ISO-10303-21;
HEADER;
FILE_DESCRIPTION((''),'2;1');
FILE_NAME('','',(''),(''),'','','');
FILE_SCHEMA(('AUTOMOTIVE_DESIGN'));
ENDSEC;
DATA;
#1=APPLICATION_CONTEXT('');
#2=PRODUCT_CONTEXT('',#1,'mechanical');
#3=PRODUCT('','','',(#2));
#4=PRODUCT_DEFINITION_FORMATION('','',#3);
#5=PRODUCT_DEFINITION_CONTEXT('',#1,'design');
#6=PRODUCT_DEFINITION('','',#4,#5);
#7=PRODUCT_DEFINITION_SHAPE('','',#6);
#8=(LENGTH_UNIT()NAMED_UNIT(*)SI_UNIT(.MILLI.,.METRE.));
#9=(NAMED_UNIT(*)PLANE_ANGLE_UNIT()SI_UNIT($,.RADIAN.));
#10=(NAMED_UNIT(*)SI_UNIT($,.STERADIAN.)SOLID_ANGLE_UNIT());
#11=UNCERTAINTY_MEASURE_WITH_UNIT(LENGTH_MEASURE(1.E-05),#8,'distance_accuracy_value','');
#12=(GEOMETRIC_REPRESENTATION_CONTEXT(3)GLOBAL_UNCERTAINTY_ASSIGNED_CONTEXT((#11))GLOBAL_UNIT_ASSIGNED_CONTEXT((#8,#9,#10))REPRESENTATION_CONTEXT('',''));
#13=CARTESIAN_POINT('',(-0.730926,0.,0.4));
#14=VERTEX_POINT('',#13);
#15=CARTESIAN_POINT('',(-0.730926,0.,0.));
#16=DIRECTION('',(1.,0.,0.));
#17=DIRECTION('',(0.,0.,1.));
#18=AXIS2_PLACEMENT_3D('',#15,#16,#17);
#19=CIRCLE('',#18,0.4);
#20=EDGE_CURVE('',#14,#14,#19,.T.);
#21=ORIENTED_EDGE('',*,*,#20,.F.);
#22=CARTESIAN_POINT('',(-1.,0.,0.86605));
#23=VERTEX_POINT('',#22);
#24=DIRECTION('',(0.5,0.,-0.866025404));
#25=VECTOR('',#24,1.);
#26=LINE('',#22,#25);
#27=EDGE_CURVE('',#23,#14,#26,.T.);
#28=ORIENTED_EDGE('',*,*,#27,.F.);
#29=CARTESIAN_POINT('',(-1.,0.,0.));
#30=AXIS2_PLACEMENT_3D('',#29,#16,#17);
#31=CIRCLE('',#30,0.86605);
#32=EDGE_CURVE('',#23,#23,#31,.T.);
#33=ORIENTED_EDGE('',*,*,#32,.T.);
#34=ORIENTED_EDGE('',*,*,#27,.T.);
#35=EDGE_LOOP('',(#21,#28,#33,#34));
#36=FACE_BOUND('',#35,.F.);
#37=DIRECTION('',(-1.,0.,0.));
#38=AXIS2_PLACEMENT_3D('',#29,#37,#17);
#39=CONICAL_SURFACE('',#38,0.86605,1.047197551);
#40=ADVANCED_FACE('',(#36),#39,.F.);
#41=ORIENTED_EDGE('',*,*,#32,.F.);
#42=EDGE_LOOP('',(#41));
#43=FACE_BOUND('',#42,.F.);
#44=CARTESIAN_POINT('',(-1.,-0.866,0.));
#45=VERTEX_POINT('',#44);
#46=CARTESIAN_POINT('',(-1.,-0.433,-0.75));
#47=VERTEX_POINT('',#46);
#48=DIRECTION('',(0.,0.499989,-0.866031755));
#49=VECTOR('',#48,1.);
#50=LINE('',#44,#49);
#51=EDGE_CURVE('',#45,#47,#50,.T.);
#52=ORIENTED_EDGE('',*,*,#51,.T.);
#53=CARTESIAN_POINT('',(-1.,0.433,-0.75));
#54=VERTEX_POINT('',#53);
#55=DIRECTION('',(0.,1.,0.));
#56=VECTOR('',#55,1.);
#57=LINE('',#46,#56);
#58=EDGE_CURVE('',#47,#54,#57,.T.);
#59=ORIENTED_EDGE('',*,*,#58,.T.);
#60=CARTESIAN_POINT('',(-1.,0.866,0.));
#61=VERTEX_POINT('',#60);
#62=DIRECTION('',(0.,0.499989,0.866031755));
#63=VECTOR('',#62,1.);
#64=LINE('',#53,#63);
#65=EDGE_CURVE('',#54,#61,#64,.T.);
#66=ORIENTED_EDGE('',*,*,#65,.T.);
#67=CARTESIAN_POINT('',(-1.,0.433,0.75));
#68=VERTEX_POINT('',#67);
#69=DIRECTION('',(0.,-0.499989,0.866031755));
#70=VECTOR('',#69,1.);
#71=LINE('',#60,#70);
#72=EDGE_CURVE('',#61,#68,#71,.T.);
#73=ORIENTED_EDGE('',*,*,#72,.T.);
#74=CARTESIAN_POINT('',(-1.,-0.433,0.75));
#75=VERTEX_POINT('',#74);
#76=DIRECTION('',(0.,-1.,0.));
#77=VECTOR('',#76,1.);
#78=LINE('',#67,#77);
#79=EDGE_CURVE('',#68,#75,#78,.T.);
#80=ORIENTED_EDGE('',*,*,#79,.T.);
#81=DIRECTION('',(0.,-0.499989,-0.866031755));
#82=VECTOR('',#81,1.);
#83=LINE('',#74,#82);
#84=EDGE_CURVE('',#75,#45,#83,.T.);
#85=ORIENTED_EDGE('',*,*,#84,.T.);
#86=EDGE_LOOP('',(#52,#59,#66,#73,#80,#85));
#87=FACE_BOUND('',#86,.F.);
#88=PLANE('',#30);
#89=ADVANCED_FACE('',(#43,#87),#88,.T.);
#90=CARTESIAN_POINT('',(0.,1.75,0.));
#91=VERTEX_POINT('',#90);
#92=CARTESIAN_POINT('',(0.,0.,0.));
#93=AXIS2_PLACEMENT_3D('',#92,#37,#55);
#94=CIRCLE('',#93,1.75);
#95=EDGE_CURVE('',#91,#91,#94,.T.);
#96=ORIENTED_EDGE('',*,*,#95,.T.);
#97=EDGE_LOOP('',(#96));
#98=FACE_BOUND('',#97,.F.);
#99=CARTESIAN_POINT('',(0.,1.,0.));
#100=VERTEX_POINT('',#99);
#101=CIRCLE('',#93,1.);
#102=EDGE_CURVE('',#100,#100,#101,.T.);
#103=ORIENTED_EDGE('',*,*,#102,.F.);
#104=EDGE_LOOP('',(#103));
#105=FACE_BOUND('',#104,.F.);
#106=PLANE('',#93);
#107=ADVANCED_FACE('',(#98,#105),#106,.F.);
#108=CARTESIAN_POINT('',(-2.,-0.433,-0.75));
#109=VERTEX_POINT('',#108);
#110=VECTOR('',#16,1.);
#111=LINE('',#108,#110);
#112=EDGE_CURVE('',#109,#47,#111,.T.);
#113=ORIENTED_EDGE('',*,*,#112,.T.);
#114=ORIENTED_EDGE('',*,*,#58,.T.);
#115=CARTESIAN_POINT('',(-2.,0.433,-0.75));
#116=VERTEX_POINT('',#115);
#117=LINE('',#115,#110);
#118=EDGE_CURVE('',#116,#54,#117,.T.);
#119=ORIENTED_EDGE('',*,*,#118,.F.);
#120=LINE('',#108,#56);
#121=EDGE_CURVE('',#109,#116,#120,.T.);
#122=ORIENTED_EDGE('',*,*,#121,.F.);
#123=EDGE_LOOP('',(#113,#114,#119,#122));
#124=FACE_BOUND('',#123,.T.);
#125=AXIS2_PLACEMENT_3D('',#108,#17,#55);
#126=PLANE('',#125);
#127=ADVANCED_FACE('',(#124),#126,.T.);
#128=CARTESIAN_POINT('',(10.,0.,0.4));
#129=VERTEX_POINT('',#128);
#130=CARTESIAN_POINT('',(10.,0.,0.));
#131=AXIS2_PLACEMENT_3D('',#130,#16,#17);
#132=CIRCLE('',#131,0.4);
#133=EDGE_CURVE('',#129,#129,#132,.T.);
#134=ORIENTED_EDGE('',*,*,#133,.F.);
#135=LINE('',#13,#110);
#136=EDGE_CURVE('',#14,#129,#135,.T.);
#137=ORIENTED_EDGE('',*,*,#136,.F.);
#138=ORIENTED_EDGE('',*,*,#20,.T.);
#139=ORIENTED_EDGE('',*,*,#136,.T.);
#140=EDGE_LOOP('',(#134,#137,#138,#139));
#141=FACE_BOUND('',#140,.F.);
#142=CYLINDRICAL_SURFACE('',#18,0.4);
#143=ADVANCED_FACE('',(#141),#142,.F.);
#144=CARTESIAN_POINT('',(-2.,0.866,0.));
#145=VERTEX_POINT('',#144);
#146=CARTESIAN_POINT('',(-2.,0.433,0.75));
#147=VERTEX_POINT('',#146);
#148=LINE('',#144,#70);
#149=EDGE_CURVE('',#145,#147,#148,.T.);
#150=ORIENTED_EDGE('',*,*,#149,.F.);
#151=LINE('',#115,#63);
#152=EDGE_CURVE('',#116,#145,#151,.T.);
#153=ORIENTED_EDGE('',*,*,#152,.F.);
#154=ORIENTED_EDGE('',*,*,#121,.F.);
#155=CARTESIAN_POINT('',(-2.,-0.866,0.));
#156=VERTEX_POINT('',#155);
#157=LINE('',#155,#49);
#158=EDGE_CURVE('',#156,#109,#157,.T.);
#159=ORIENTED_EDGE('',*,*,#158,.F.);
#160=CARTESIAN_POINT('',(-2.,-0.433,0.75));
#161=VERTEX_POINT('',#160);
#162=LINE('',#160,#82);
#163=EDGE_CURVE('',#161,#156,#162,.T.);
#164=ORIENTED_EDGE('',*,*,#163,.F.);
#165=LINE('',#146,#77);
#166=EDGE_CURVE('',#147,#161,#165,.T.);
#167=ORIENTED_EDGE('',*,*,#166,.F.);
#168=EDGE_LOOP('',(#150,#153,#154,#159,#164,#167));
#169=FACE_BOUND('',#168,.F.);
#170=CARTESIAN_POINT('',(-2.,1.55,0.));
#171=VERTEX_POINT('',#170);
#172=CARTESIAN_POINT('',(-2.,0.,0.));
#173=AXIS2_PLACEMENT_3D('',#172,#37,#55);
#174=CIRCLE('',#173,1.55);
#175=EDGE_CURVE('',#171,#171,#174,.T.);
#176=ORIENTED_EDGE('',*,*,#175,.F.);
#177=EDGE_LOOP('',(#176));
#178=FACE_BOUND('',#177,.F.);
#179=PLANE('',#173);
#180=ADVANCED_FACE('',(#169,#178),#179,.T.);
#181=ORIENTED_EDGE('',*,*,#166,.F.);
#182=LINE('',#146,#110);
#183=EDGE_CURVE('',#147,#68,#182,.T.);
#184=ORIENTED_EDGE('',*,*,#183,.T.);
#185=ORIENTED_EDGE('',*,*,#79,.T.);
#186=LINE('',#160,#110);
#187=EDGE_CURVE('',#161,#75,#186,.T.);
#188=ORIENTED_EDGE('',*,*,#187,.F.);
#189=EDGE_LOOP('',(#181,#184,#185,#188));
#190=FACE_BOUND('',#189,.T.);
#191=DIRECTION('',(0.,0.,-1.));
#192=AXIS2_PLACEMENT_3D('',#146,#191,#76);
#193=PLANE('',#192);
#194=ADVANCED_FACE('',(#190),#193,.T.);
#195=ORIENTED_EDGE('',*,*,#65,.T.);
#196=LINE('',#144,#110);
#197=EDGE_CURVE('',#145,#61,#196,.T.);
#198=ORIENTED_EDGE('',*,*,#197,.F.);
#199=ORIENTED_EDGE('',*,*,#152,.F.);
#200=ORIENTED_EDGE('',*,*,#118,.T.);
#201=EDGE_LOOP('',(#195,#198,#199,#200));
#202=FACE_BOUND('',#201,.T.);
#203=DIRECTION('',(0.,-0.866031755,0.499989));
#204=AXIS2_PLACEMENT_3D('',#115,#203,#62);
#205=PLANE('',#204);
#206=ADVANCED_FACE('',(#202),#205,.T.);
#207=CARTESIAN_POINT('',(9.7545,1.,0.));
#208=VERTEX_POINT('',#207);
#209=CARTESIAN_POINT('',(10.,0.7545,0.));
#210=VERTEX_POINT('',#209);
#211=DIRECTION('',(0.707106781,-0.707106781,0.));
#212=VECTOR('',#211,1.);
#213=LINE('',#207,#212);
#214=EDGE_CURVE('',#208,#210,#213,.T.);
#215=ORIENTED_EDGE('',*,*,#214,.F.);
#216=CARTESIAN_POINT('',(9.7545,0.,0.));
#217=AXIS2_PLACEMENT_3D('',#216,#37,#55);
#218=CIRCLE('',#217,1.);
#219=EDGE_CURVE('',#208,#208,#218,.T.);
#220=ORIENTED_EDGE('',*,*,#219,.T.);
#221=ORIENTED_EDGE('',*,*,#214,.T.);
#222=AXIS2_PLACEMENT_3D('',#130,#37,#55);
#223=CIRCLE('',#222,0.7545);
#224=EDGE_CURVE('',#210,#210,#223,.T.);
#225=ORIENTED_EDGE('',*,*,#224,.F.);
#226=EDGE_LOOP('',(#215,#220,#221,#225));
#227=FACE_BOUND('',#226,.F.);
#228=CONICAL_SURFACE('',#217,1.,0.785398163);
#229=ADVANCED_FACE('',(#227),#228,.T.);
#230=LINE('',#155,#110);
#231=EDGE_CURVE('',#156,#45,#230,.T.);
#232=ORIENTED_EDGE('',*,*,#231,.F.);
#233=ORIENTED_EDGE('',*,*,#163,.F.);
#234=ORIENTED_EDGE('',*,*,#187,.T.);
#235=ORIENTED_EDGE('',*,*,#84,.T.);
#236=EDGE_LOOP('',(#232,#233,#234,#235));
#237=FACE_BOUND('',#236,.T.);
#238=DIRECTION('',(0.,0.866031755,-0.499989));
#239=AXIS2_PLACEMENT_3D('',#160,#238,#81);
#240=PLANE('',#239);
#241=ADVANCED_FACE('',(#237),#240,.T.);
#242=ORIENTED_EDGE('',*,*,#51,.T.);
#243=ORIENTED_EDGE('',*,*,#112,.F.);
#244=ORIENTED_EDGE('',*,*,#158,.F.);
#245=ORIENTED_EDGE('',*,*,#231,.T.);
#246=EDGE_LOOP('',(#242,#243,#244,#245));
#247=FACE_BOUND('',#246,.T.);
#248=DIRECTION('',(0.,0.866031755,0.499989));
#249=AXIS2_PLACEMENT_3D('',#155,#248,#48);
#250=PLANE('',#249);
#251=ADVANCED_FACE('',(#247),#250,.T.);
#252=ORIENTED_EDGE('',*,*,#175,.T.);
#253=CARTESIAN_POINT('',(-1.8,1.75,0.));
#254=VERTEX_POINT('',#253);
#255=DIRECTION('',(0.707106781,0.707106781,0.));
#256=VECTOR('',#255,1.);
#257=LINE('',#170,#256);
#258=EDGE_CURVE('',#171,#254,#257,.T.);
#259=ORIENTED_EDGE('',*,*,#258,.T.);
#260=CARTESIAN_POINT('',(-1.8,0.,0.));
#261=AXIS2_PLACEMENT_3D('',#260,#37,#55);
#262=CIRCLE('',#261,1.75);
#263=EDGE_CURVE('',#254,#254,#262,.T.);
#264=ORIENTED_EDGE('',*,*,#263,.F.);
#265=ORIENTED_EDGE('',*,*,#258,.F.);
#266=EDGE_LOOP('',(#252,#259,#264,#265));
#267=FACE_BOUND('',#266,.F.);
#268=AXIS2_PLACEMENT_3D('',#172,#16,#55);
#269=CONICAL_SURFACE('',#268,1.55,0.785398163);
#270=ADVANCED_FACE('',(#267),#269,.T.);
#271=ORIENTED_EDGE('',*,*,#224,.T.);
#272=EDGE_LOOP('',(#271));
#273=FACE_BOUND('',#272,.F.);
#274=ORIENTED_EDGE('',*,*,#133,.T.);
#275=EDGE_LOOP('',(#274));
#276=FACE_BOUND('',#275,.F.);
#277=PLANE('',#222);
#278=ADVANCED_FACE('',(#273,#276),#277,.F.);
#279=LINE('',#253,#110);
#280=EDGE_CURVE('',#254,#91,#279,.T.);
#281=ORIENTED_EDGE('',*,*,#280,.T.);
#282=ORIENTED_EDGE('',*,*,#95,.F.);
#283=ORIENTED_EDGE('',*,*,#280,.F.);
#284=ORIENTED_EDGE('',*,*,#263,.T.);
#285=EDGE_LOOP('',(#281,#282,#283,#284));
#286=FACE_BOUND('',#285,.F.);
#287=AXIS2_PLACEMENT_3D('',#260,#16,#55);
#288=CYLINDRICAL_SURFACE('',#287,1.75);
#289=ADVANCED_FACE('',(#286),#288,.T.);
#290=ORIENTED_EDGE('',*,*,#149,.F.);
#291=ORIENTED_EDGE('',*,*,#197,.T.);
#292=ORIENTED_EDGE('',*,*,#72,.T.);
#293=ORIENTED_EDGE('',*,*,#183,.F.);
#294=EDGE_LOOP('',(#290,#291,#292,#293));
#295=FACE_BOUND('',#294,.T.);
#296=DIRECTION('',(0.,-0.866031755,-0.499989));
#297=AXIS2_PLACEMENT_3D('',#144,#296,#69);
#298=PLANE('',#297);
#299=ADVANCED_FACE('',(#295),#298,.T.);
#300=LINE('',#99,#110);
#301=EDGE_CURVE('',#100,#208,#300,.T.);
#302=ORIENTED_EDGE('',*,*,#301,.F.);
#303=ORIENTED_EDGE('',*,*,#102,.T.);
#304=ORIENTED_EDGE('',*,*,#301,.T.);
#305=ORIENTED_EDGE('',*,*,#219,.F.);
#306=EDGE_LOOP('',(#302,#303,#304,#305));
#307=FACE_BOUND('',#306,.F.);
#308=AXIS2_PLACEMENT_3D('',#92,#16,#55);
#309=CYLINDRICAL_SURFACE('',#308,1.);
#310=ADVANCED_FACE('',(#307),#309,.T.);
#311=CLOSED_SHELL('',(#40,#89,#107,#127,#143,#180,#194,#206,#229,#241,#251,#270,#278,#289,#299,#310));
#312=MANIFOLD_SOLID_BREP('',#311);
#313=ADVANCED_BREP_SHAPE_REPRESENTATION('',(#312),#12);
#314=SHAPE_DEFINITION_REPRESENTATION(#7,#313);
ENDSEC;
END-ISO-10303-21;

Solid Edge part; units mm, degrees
sketch "Sketch1" plane through (0, 0, 0) normal (0, 0, 1) x (1, 0, 0)
  line L0 (-2, 0) -> (-2, 1.55)
  line L1 (-2, 1.55) -> (-1.8, 1.75)
  line L2 (-1.8, 1.75) -> (0, 1.75)
  line L3 (0, 1.75) -> (0, 1)
  line L4 (0, 1) -> (9.7545, 1)
  line L5 (9.7545, 1) -> (10, 0.7545)
  line L6 (10, 0.7545) -> (10, 0)
  line L7 (10, 0) -> (-2, 0)
revolve "RevolvedProtrusion1" add sketch "Sketch1" angle 360 about axis through (10, 0, 0) along (-1, 0, 0)
cosmetic_thread "Thread1" size "M2"
sketch "Sketch2" plane through (-2, 0, 0) normal (1, 0, 0) x (0, 1, 0)
  line L0 (-0.433, 0.75) -> (-0.866, 0)
  line L1 (-0.866, 0) -> (-0.433, -0.75)
  line L2 (-0.433, -0.75) -> (0.433, -0.75)
  line L3 (0.433, -0.75) -> (0.866, 0)
  line L4 (0.866, 0) -> (0.433, 0.75)
  line L5 (0.433, 0.75) -> (-0.433, 0.75)
extrude "ExtrudedCutout_1" cut sketch "Sketch2" along normal blind 1
hole "Hole_1" at (-1, 0, 0) direction (1, 0, 0) diameter 0.8 depth 11 countersink diameter 1.7321 countersink angle 120
properties part number "SVSS-M2-10"
